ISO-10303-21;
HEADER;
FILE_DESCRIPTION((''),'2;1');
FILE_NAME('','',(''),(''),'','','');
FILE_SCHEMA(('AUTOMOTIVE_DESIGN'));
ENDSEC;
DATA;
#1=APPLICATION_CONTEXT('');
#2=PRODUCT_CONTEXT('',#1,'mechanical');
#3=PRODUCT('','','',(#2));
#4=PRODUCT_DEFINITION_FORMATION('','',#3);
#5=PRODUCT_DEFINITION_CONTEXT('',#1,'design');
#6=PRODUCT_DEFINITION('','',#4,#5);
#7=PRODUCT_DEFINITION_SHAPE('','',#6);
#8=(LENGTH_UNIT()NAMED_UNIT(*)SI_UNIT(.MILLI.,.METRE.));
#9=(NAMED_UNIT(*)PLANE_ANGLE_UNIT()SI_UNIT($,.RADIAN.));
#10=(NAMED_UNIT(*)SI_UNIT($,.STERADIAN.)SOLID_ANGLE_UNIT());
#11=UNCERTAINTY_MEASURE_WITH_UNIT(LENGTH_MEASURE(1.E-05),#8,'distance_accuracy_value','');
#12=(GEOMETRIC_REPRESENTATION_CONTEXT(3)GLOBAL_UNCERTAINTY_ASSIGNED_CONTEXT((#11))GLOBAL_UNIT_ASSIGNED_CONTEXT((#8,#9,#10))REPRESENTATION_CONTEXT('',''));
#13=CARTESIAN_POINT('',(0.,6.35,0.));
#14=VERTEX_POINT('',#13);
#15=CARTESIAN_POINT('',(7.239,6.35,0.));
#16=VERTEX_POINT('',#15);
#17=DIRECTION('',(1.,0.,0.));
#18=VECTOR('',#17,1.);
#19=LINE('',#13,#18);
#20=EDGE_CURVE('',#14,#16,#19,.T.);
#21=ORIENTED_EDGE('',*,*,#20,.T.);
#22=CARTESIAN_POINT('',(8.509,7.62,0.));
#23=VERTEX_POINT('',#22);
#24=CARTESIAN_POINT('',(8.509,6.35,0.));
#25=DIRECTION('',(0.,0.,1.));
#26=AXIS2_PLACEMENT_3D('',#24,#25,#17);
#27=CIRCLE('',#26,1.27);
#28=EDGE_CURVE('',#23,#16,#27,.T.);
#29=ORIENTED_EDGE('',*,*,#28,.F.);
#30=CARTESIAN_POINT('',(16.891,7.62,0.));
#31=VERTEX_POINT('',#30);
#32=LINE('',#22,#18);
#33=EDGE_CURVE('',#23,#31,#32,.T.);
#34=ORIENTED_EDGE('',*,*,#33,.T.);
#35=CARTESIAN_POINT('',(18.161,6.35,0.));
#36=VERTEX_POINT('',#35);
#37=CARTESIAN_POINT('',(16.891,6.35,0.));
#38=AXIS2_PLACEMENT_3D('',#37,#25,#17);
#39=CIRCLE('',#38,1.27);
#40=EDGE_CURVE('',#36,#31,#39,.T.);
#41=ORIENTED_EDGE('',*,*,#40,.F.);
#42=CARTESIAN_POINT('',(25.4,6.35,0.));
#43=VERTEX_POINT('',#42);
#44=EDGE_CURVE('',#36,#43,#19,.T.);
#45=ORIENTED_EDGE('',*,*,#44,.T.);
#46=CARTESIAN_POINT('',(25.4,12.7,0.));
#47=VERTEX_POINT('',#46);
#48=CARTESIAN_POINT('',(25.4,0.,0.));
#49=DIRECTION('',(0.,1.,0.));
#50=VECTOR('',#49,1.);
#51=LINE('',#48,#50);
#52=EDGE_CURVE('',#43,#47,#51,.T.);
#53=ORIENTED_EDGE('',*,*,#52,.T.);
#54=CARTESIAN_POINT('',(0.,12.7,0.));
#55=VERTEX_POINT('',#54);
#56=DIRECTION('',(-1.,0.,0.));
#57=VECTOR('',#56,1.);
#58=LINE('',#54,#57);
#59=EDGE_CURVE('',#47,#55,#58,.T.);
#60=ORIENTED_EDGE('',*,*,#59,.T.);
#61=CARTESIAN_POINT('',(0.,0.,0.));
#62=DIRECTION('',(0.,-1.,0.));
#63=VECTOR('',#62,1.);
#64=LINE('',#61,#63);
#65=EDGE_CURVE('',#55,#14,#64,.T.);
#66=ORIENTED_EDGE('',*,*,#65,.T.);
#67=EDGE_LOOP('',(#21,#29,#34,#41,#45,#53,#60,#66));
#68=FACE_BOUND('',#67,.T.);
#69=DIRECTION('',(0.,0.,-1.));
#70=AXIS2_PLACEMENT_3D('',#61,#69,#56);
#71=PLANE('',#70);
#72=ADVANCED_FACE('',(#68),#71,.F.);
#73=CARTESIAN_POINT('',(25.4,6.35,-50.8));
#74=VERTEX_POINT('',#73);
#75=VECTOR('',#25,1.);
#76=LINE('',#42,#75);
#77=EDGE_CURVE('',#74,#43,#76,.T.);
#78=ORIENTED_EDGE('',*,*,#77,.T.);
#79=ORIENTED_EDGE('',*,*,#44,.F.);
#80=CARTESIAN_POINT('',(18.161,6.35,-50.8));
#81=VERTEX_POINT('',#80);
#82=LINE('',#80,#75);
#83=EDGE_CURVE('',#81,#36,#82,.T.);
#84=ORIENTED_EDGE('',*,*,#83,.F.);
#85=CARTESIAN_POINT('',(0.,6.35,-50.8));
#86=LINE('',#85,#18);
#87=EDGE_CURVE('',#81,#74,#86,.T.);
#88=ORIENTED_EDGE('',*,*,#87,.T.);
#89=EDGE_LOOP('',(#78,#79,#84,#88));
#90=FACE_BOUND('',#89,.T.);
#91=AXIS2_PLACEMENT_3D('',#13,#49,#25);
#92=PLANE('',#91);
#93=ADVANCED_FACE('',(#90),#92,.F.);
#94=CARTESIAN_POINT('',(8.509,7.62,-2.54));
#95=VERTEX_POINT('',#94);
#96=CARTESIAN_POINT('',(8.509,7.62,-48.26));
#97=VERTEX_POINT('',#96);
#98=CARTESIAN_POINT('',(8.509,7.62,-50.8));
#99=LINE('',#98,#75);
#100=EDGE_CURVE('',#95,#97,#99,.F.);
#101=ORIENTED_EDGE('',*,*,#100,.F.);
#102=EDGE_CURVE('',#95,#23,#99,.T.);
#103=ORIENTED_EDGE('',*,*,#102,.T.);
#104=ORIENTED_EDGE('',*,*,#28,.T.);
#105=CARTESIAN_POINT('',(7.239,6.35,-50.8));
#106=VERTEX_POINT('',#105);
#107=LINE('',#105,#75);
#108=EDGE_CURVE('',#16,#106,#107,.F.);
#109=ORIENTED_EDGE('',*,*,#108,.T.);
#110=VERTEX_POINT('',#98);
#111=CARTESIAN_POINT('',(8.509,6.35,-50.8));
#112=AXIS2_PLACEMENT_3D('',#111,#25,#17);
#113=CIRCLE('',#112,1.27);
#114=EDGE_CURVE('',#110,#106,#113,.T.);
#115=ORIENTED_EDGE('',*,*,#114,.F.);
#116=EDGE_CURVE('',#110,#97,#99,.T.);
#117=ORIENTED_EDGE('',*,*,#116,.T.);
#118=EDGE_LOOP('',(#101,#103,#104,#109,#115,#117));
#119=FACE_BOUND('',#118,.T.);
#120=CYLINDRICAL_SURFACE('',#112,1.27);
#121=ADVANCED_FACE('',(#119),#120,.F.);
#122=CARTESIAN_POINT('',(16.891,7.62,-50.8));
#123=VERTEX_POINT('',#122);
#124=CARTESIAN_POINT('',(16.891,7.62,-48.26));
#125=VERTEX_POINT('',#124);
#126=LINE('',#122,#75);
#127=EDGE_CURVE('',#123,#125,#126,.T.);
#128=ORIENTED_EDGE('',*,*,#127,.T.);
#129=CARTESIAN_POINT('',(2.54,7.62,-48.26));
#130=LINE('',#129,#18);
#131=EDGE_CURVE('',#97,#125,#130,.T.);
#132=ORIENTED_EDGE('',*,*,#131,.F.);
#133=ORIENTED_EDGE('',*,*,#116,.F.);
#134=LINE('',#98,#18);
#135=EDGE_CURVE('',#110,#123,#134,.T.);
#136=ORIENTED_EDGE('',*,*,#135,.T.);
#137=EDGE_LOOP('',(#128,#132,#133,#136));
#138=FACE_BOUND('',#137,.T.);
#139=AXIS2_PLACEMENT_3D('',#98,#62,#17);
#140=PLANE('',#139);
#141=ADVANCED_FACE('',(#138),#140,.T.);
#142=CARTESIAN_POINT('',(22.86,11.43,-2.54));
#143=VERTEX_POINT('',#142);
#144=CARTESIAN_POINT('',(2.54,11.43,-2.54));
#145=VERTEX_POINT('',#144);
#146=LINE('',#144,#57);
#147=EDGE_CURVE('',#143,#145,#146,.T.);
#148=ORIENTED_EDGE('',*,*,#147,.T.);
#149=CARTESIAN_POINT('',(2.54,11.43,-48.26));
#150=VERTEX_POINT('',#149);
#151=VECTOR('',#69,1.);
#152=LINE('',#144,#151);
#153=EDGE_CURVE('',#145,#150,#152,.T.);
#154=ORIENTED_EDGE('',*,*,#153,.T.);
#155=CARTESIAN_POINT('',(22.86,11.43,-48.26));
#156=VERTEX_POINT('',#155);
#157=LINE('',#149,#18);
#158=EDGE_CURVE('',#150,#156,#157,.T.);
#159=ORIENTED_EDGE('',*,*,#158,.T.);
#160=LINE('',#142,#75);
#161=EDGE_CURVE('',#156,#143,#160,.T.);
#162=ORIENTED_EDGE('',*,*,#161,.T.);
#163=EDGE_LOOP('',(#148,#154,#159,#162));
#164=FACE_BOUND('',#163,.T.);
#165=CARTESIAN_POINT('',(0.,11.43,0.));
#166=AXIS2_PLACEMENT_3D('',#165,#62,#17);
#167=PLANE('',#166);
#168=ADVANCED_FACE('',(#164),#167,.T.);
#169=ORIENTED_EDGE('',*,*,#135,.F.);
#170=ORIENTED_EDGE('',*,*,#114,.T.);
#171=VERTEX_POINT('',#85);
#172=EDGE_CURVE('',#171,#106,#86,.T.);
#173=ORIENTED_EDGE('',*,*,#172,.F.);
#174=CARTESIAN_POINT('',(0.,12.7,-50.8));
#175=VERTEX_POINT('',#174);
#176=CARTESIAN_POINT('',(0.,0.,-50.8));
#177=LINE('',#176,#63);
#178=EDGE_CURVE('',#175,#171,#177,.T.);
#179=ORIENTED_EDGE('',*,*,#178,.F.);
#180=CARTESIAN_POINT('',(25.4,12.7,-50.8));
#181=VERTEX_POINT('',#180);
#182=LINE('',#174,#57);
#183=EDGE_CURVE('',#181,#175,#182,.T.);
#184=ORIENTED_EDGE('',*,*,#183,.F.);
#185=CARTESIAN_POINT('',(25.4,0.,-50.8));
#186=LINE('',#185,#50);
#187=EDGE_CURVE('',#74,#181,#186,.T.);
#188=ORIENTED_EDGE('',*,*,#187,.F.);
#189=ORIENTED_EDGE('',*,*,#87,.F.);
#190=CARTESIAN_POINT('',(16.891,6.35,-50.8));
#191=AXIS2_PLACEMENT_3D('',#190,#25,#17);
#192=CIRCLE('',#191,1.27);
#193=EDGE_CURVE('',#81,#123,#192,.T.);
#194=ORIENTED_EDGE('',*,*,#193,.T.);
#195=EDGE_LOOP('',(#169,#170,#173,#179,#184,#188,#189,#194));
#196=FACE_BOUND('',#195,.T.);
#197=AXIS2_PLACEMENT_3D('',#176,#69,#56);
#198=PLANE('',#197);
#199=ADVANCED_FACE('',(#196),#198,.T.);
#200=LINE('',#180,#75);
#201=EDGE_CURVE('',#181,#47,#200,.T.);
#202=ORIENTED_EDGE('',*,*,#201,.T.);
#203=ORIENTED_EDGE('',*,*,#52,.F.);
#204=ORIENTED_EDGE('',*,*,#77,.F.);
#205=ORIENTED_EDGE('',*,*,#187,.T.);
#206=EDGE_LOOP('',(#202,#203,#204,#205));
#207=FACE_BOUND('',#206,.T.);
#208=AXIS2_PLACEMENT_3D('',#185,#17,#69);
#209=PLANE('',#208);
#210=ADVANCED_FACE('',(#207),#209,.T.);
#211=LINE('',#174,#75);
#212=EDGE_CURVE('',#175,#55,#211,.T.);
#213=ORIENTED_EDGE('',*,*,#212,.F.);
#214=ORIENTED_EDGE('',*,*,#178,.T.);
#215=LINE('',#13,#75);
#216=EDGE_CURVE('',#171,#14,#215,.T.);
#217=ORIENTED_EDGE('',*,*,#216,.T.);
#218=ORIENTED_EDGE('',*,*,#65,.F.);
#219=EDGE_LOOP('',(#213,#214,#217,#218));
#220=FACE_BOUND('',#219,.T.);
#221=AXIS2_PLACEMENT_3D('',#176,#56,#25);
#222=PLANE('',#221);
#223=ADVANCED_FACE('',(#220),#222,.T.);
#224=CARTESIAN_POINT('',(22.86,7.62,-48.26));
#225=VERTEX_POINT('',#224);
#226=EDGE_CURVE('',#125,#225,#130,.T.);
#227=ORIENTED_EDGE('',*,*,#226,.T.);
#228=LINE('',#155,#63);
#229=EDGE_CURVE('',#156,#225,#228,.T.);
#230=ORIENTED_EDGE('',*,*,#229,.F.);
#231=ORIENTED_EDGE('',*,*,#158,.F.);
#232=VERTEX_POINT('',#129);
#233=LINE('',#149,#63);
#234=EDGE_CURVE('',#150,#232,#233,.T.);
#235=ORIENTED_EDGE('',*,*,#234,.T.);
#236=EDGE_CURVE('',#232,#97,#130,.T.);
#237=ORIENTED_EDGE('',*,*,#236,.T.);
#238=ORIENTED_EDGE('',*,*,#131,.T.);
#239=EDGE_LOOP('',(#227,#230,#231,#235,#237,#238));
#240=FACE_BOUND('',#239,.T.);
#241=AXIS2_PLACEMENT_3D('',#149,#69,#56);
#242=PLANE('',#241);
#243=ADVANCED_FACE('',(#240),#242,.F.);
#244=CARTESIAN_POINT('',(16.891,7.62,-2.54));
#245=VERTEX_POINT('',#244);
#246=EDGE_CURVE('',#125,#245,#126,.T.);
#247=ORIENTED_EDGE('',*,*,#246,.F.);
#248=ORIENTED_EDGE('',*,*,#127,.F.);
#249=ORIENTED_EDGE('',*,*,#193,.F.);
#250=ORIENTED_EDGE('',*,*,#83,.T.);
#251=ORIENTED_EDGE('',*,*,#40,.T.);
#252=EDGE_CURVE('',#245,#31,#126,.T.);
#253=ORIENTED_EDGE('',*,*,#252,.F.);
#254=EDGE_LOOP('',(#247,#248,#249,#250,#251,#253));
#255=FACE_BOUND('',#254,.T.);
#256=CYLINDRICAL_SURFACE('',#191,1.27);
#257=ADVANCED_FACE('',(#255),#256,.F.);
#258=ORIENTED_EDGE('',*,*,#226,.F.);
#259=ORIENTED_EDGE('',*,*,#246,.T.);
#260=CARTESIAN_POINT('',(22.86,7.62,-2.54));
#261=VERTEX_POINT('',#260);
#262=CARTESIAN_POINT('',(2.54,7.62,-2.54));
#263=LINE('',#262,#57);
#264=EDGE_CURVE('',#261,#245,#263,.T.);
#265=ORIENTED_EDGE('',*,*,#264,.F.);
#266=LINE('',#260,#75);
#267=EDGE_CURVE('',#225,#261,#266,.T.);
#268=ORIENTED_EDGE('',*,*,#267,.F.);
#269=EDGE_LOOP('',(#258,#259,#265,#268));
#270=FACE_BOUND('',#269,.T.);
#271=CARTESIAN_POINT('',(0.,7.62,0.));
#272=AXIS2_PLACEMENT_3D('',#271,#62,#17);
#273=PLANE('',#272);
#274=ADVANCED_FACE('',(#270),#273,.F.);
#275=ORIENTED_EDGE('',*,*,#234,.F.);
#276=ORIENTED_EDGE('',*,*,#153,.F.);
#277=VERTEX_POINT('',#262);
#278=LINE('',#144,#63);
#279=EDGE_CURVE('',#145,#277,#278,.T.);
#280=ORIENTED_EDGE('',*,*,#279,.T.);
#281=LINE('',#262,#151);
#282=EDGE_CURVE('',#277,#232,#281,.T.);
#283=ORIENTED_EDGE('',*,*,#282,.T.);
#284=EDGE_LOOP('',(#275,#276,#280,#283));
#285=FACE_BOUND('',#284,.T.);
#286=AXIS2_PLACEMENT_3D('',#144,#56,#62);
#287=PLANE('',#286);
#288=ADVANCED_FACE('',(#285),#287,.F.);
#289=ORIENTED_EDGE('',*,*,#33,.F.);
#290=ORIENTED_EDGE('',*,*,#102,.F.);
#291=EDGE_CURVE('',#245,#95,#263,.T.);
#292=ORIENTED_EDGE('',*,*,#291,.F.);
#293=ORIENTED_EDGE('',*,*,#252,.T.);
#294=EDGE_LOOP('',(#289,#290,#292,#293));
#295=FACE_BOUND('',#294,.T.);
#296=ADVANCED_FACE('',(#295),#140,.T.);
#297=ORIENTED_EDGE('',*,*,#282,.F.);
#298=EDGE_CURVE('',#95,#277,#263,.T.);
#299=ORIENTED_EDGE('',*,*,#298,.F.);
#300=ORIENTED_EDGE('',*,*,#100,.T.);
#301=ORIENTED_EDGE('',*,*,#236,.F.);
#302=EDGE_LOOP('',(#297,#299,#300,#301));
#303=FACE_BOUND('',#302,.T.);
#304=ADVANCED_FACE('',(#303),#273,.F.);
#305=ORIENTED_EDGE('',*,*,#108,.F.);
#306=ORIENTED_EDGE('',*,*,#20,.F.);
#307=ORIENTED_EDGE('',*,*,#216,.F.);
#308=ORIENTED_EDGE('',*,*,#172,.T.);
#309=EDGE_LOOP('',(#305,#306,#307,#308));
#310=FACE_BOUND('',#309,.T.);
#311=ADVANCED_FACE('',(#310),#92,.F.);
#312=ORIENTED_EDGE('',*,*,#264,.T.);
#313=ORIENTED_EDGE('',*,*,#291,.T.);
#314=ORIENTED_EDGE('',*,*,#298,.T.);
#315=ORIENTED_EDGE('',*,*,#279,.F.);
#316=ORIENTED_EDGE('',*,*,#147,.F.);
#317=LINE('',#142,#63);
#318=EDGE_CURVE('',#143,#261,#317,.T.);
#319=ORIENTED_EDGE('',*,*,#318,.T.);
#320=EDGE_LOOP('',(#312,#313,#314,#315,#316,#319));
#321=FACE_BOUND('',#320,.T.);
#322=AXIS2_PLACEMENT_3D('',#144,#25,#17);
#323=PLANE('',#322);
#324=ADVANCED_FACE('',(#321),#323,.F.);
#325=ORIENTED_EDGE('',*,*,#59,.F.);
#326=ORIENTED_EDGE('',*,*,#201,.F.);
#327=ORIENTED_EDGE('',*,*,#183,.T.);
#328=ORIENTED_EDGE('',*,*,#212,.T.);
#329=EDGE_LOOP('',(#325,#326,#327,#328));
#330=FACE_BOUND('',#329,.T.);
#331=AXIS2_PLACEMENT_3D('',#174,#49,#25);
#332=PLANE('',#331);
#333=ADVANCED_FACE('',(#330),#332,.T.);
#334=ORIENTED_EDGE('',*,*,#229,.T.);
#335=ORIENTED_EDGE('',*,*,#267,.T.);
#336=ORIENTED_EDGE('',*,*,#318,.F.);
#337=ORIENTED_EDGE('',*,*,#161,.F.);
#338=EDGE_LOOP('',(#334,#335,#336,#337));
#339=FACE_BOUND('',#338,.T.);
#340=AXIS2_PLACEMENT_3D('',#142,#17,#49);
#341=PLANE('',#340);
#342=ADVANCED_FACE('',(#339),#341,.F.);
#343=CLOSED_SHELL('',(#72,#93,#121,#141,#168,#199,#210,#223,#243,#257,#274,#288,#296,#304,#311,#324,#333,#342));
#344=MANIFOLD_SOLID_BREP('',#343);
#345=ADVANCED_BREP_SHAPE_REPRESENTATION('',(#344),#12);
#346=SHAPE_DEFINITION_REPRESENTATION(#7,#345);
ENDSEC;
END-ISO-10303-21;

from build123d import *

# Parameters (mm, degrees)
SKETCH1_W           = 25.4
SKETCH1_H           = 12.7
BOSS_EXTRUDE1_DEPTH = 50.8
CUT_EXTRUDE1_DEPTH  = 50.8
SKETCH3_W           = 50.8
SKETCH3_H           = 6.35
CUT_EXTRUDE3_DEPTH  = 59.198711326
SKETCH5_W           = 20.32
SKETCH5_H           = 45.72
CUT_EXTRUDE4_DEPTH  = 3.81


with BuildPart() as part:
    # Sketch1 → Boss-Extrude1 (new body)
    with BuildSketch(Plane.XY):
        with Locations((12.7, 6.35)):
            Rectangle(SKETCH1_W, SKETCH1_H)
    extrude(amount=-BOSS_EXTRUDE1_DEPTH)

    # Sketch2 → Cut-Extrude1 (cut)
    with BuildSketch(Plane.XY):
        with BuildLine():
            Line((8.509, 7.62), (16.891, 7.62))
            ThreePointArc((16.891, 7.62), (18.161, 6.35), (16.891, 5.08))
            Line((16.891, 5.08), (8.509, 5.08))
            ThreePointArc((8.509, 5.08), (7.239, 6.35), (8.509, 7.62))
        make_face()
    extrude(amount=-CUT_EXTRUDE1_DEPTH, mode=Mode.SUBTRACT)

    # Sketch3 → Cut-Extrude3 (cut, through all)
    with BuildSketch(Plane(origin=(25.4, 0, 0), x_dir=(0, 0, -1), z_dir=(1, 0, 0))):
        with Locations((25.4, 3.175)):
            Rectangle(SKETCH3_W, SKETCH3_H)
    extrude(amount=-CUT_EXTRUDE3_DEPTH, mode=Mode.SUBTRACT)

    # Sketch5 → Cut-Extrude4 (cut)
    with BuildSketch(Plane.XZ.offset(-7.62)):
        with Locations((12.7, -25.4)):
            Rectangle(SKETCH5_W, SKETCH5_H)
    extrude(amount=-CUT_EXTRUDE4_DEPTH, mode=Mode.SUBTRACT)


solid = part.part
